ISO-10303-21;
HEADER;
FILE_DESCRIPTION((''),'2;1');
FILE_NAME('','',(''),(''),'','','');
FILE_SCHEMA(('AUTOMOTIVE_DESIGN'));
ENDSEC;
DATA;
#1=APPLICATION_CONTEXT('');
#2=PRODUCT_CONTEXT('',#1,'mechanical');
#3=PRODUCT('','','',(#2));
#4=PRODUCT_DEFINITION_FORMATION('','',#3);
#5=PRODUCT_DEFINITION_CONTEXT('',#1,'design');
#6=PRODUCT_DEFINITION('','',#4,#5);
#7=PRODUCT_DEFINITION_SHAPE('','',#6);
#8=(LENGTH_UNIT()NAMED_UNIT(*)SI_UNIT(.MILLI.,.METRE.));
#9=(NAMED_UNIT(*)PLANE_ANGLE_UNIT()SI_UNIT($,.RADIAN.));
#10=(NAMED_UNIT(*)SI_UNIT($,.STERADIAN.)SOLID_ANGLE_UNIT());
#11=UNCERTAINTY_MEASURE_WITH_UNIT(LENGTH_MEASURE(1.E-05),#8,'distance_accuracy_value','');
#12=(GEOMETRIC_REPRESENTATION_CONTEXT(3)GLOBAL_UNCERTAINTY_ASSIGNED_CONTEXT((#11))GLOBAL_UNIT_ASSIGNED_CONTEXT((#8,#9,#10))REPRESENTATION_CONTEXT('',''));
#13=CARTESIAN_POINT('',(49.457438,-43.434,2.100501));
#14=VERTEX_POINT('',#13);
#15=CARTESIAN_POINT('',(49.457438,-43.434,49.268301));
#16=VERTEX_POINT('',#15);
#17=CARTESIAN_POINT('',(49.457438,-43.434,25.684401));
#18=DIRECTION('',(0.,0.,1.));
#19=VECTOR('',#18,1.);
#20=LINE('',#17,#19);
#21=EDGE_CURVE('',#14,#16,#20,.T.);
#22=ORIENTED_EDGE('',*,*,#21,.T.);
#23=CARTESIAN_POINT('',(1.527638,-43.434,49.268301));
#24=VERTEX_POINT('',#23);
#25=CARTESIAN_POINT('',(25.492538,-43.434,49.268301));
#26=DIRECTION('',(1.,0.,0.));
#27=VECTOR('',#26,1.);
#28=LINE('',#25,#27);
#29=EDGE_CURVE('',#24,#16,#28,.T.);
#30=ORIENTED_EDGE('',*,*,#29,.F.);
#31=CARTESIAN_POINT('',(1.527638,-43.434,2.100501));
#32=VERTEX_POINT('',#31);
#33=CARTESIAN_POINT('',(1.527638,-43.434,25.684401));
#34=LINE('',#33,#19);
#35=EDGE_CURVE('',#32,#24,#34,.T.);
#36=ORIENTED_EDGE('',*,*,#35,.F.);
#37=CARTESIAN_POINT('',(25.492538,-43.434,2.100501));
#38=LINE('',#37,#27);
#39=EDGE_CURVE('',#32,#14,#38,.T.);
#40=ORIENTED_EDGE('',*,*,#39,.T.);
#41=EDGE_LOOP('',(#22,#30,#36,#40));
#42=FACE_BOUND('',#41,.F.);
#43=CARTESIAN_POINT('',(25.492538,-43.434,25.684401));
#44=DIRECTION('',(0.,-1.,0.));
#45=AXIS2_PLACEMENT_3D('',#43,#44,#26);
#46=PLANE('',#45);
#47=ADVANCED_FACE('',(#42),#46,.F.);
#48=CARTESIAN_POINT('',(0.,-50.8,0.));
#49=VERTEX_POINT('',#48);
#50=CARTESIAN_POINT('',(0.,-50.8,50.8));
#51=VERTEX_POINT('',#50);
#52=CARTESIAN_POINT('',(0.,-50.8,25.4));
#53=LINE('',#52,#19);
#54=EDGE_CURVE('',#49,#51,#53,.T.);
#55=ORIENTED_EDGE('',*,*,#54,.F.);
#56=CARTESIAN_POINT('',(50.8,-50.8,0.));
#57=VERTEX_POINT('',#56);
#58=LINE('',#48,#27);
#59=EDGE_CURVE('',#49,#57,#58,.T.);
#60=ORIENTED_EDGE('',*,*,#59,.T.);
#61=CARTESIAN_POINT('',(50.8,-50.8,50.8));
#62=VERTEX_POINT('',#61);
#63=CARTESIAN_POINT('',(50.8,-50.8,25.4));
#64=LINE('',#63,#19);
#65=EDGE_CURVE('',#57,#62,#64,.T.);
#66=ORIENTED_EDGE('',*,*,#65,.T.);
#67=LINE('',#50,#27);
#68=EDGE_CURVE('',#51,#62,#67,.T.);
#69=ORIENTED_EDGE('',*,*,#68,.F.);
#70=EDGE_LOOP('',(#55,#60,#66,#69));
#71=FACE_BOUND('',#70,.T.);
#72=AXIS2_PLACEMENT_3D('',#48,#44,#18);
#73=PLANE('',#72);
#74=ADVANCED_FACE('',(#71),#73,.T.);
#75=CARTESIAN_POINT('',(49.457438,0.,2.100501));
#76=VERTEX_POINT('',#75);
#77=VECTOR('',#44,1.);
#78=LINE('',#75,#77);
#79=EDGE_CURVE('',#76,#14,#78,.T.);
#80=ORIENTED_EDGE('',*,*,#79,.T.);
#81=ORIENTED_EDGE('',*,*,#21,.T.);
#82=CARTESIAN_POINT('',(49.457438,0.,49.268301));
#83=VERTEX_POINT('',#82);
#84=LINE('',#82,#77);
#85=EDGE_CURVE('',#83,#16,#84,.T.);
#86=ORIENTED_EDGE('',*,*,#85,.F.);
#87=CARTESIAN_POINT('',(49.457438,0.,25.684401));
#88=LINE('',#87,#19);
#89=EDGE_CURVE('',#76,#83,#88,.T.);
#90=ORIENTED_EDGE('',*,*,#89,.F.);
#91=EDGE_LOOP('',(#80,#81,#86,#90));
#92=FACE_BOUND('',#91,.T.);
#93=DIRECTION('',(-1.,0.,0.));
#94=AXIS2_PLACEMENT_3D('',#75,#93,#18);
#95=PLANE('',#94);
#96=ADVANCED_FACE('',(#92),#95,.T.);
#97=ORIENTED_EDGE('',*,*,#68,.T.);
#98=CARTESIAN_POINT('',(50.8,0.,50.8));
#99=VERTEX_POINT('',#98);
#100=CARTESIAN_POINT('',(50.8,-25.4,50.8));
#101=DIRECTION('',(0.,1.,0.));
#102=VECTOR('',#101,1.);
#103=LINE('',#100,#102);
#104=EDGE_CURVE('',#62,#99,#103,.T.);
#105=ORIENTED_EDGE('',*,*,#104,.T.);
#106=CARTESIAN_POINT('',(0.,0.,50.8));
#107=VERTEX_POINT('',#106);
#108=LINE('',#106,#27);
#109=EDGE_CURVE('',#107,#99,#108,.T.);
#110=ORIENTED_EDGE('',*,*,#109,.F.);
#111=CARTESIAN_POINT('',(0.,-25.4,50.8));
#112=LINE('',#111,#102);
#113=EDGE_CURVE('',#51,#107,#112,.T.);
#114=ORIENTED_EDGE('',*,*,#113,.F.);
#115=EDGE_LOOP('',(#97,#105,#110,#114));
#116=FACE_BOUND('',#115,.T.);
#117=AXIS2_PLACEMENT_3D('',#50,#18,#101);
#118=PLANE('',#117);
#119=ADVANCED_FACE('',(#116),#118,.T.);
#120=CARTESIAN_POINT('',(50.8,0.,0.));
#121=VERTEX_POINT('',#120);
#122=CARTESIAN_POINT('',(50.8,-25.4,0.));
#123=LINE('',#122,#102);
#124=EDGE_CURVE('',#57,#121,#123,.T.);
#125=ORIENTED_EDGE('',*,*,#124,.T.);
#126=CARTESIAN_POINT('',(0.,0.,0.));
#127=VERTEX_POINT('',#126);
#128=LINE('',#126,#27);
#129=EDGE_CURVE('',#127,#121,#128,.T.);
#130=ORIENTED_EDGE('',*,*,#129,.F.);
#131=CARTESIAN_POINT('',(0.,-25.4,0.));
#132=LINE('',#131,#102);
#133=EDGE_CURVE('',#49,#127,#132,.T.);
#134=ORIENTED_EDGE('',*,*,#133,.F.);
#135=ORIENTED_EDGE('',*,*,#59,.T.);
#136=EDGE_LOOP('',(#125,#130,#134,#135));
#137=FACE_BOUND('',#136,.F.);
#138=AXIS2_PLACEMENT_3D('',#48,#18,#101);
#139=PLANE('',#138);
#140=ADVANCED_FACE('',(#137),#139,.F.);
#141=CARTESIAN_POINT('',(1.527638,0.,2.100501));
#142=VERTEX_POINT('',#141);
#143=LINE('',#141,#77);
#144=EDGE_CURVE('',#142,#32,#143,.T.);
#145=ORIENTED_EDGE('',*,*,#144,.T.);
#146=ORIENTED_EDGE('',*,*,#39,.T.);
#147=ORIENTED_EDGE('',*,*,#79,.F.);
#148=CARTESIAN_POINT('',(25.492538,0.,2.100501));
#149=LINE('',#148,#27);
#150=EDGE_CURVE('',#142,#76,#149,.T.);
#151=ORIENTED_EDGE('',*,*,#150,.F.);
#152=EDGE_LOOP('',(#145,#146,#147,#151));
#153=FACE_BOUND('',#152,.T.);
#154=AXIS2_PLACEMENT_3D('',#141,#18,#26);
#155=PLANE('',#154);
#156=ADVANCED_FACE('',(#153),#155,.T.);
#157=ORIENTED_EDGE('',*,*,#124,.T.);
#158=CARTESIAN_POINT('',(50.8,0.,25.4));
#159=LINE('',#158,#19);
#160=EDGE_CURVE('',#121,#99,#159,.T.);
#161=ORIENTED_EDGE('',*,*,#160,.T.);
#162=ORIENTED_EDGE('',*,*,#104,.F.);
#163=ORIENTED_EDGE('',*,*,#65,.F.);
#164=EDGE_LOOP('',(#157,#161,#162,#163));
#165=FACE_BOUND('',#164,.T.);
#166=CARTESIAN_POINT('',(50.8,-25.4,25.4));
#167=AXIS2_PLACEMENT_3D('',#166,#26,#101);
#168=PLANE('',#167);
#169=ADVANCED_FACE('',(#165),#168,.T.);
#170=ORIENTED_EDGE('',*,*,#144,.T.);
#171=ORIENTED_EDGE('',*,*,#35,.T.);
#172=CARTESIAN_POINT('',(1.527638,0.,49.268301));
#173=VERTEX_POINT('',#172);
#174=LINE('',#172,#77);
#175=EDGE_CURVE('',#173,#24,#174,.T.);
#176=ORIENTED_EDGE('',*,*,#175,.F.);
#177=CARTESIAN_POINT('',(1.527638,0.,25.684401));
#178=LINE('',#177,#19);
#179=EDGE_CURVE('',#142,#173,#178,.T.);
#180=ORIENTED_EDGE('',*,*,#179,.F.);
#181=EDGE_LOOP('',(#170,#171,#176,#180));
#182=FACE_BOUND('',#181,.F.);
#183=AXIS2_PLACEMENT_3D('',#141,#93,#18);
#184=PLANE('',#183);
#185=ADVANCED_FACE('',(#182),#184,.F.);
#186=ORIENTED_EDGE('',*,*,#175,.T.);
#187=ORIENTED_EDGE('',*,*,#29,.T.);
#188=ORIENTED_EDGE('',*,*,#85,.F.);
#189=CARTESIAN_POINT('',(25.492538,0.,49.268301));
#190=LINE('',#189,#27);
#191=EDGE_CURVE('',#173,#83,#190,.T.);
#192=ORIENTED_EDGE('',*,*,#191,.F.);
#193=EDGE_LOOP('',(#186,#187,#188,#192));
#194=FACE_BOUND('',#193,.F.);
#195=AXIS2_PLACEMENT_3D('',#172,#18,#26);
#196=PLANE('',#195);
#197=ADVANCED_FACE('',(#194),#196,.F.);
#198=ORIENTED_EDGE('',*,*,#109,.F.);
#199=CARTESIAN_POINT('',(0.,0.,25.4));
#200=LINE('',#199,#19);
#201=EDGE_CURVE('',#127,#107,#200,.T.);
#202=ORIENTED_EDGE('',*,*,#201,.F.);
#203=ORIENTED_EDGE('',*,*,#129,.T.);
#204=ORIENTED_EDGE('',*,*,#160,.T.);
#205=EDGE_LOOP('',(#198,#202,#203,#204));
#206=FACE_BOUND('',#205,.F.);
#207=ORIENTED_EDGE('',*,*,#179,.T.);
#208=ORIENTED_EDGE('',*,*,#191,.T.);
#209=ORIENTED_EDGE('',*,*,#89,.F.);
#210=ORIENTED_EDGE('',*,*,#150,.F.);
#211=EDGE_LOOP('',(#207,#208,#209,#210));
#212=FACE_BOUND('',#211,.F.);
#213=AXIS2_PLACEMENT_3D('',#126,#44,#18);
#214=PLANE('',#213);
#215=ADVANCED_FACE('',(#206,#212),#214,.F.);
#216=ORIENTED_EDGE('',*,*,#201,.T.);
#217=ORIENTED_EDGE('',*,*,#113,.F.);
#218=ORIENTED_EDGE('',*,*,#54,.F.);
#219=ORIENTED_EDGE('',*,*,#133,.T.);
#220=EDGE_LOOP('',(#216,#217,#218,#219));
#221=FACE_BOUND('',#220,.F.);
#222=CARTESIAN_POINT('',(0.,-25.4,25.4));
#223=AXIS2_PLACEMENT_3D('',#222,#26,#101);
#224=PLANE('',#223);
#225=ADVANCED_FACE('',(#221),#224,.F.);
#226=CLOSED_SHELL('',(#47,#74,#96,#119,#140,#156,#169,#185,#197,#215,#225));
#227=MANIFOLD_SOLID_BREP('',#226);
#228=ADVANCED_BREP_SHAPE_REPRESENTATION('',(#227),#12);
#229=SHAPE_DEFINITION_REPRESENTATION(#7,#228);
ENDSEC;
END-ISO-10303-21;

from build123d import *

# Parameters (mm, degrees)
F0_W     = 50.8
F0_H     = 50.8
F1_DEPTH = 50.8
F2_W     = 47.9298
F2_H     = 47.1678
F3_DEPTH = 43.434


with BuildPart() as f1:
    # F0 (on Right) → F1 (new body)
    with BuildSketch(Plane.YZ):
        with Locations((-25.4, 25.4)):
            Rectangle(F0_W, F0_H)
    extrude(amount=F1_DEPTH)

    # F2 (on Front) → F3 (cut)
    with BuildSketch(Plane.XZ):
        with Locations((25.492538, 25.684401)):
            Rectangle(F2_W, F2_H)
    extrude(amount=F3_DEPTH, mode=Mode.SUBTRACT)


solid = f1.part
